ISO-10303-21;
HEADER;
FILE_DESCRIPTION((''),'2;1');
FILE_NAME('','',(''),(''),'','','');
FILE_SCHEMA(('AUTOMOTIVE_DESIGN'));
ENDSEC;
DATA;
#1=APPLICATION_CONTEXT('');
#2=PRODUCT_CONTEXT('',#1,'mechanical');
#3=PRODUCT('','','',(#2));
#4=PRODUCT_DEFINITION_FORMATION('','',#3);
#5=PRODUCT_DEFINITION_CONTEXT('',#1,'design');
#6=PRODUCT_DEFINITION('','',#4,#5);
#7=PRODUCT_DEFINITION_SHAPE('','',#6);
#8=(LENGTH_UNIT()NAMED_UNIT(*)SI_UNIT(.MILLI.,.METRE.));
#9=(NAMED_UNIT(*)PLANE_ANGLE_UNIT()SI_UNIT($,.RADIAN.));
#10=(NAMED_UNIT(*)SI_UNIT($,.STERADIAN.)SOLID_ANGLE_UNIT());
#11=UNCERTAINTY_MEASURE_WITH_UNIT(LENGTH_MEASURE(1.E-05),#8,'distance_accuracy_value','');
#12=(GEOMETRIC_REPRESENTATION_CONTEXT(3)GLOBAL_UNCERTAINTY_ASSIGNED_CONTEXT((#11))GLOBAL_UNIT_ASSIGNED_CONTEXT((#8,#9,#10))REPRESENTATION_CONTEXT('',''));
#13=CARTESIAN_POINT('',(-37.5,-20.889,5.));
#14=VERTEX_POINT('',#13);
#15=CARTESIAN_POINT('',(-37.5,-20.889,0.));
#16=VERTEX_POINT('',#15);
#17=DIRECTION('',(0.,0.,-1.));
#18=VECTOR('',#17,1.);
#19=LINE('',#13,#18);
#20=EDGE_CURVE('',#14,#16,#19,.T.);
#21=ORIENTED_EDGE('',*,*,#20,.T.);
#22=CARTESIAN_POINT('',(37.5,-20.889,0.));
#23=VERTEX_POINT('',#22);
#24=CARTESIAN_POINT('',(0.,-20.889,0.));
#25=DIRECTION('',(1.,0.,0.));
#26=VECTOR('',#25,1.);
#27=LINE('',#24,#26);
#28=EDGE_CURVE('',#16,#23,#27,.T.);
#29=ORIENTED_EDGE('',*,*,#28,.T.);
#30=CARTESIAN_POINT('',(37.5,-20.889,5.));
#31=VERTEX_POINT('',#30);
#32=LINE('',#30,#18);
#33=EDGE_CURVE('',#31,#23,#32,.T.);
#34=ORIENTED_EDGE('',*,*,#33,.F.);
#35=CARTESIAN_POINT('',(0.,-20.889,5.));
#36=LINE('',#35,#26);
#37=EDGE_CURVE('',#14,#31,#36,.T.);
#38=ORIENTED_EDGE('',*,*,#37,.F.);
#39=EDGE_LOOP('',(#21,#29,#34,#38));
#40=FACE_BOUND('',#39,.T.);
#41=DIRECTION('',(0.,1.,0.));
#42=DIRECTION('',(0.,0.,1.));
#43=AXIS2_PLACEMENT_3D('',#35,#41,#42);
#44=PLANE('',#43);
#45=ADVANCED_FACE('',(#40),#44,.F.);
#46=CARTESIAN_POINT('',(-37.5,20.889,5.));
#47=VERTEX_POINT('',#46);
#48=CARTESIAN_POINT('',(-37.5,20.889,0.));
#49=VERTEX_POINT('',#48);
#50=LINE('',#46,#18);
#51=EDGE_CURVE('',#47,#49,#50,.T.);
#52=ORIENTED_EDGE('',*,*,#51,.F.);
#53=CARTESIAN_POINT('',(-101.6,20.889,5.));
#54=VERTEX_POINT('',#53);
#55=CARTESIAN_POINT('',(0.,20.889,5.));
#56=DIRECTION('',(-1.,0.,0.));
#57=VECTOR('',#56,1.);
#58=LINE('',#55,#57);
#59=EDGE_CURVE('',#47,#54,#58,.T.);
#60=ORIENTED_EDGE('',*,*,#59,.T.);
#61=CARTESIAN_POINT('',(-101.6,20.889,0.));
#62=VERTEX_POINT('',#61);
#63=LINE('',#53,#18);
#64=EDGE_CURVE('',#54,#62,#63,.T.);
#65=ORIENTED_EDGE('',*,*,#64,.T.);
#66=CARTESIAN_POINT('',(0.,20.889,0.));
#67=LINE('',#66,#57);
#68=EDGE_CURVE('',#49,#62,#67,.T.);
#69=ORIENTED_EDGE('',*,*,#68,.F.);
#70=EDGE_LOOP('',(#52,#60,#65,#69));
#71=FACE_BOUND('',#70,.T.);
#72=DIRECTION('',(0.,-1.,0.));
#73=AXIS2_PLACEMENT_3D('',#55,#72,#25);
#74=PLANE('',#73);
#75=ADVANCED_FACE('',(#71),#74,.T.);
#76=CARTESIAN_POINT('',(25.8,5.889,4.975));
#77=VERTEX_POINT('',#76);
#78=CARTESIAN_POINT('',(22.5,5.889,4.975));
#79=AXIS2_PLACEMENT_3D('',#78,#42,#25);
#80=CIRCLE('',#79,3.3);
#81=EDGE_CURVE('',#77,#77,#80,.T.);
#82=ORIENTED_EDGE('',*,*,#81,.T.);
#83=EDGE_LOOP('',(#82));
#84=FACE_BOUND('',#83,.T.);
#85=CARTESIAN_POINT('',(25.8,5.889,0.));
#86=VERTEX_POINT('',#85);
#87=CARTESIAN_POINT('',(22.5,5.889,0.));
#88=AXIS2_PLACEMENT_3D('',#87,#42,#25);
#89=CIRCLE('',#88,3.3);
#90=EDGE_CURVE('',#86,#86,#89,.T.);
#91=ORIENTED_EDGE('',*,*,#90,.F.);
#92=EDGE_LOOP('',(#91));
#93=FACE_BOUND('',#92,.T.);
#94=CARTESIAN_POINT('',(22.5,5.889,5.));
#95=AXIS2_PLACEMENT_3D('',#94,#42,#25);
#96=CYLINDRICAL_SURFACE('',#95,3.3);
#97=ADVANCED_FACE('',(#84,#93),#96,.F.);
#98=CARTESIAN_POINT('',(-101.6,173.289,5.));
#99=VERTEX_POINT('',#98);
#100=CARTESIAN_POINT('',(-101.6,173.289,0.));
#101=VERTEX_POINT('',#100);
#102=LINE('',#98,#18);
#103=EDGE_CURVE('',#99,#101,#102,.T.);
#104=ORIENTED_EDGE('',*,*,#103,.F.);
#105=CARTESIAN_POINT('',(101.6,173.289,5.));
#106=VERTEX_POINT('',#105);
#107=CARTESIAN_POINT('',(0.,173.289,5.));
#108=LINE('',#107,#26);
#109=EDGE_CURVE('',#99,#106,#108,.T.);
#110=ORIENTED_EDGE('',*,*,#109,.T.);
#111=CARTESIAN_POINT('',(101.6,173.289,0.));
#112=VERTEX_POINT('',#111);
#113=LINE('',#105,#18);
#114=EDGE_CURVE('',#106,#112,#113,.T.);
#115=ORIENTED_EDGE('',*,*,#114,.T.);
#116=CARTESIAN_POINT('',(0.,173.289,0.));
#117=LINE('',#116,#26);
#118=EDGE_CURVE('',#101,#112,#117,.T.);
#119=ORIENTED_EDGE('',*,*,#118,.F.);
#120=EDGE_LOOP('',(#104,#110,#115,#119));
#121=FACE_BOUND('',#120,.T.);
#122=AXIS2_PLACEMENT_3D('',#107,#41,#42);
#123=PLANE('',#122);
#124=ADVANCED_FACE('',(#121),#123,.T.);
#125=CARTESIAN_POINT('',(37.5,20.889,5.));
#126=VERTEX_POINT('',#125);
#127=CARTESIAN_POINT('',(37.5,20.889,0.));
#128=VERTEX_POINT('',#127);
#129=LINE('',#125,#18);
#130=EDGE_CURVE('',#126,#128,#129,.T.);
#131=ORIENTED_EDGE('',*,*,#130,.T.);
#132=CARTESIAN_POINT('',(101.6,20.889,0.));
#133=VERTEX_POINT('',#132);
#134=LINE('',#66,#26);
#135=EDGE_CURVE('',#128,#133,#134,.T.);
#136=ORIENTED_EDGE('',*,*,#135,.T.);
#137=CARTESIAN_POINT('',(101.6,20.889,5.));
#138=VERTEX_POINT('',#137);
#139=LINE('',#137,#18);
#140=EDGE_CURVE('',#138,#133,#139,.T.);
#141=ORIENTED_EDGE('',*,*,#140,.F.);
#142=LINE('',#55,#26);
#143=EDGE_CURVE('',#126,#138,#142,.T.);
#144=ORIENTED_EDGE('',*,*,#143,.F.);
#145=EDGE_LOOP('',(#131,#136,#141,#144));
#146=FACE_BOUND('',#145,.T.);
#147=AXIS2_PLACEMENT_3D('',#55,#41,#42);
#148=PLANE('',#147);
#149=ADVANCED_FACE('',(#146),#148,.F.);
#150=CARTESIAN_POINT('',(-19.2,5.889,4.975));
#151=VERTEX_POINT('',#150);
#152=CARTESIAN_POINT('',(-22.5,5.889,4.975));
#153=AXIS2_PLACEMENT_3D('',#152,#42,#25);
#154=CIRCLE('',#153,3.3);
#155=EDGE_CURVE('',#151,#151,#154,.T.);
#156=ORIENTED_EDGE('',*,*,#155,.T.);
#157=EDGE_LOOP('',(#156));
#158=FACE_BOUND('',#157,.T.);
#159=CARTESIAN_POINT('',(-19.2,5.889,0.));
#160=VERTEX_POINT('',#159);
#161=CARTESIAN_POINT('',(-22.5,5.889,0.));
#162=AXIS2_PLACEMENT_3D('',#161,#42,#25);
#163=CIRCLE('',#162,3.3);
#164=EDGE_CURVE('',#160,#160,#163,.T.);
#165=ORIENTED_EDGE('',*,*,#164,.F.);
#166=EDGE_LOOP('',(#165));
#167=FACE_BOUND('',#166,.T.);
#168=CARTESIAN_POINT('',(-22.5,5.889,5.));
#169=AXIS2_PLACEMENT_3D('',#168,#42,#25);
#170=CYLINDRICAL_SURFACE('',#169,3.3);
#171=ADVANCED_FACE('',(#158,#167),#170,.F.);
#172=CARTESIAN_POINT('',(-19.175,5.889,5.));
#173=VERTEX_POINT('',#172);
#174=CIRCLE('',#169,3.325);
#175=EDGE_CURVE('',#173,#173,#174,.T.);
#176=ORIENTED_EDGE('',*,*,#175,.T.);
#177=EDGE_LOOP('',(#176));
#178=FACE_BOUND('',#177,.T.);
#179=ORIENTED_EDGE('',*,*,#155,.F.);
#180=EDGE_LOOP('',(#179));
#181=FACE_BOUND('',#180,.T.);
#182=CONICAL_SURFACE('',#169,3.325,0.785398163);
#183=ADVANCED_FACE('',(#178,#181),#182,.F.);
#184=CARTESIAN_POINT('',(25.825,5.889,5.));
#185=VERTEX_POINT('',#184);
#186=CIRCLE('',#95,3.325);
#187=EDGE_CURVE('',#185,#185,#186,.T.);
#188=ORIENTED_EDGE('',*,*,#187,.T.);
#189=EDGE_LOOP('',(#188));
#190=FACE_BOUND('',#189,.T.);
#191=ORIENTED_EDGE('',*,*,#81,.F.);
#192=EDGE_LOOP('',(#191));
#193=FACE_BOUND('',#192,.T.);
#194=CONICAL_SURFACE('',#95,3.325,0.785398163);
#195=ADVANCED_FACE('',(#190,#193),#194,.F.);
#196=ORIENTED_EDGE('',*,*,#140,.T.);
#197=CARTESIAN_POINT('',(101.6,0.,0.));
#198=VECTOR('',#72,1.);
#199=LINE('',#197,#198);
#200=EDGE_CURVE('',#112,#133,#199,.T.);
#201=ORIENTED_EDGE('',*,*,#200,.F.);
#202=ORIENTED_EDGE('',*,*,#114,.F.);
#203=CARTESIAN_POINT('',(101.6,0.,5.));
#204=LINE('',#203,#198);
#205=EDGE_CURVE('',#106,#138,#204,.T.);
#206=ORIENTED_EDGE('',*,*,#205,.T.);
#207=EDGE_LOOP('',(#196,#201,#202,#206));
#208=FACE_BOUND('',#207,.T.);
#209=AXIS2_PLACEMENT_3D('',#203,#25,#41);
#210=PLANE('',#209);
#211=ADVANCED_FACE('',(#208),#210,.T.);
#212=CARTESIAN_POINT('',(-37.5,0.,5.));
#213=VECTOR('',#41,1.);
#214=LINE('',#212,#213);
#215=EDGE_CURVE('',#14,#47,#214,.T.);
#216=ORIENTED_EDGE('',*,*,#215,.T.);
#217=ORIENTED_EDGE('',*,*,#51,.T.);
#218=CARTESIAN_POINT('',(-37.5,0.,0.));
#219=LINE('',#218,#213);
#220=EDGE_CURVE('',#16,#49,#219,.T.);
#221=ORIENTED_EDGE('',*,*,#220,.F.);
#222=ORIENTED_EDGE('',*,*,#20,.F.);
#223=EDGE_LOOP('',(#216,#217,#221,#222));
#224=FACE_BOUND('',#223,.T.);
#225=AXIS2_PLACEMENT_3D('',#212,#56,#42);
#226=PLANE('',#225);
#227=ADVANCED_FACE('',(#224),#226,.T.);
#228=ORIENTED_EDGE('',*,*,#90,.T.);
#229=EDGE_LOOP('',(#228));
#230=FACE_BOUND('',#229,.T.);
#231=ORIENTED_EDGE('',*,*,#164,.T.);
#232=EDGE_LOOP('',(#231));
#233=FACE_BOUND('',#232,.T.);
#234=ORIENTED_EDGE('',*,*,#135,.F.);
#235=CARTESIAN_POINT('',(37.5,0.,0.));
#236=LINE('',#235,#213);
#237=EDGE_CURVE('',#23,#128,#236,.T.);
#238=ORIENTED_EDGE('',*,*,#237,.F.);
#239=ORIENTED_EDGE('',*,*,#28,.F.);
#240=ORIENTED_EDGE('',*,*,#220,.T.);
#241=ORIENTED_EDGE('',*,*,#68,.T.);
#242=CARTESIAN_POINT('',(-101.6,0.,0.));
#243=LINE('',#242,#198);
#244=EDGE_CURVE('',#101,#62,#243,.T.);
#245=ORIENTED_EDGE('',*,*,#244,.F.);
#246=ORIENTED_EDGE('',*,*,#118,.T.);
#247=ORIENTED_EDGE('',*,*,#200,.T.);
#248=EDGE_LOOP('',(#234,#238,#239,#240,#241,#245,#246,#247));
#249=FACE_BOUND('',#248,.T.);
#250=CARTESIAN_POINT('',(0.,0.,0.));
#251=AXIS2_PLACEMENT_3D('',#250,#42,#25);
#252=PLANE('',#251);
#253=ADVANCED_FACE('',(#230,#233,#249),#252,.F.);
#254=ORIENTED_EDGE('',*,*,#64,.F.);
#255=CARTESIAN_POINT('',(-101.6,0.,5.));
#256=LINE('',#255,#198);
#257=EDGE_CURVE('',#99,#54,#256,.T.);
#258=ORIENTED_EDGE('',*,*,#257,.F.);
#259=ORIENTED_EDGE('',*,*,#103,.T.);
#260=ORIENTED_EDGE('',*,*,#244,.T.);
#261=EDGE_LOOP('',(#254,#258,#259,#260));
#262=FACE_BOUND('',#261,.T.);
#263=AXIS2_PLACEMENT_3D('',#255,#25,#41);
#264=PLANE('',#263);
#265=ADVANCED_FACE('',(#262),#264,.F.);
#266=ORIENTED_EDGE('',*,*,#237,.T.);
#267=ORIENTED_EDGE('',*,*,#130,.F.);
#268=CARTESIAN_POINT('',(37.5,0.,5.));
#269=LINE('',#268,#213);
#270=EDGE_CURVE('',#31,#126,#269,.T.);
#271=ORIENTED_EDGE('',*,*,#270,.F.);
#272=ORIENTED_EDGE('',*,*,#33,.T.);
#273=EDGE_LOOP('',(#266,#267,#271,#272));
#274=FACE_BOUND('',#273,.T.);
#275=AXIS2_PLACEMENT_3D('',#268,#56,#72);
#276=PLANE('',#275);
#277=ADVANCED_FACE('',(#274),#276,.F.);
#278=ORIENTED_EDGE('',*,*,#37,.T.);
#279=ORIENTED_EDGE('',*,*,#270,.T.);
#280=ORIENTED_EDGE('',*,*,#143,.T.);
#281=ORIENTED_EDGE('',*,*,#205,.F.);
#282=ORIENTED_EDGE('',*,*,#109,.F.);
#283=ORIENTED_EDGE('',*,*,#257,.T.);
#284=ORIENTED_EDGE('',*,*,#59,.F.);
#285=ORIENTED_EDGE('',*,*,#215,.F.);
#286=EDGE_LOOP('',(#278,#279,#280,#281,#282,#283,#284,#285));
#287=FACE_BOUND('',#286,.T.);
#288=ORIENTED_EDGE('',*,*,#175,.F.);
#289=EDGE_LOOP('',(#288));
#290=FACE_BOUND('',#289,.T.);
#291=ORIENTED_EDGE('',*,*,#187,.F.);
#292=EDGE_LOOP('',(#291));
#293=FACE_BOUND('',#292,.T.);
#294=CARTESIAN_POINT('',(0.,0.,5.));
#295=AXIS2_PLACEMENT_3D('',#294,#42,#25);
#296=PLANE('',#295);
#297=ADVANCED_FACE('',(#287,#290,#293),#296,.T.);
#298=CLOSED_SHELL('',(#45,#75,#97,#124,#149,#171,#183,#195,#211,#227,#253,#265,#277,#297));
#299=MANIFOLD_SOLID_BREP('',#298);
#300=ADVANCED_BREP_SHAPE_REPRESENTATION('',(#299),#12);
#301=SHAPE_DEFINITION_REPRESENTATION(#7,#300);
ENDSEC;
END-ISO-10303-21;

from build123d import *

# Parameters (mm, degrees)
BOSS_EXTRUDE2_DEPTH            = 5
M6_CLEARANCE_HOLE2_D           = 6.6
M6_CLEARANCE_HOLE2_CSINK_D     = 6.65
M6_CLEARANCE_HOLE2_CSINK_ANGLE = 90


with BuildPart() as part:
    # Sketch1 → Boss-Extrude2 (new body)
    with BuildSketch(Plane.XY):
        Polygon((-37.5, 20.889), (-101.6, 20.889), (-101.6, 173.289), (101.6, 173.289), (101.6, 20.889), (37.5, 20.889), (37.5, -20.889), (-37.5, -20.889), align=None)
    extrude(amount=BOSS_EXTRUDE2_DEPTH)

    # M6 Clearance Hole2 (through all)
    with Locations(Plane.XY.offset(5)):
        with Locations((-22.5, 5.889), (22.5, 5.889)):
            CounterSinkHole(M6_CLEARANCE_HOLE2_D / 2, M6_CLEARANCE_HOLE2_CSINK_D / 2, counter_sink_angle=M6_CLEARANCE_HOLE2_CSINK_ANGLE)


solid = part.part
